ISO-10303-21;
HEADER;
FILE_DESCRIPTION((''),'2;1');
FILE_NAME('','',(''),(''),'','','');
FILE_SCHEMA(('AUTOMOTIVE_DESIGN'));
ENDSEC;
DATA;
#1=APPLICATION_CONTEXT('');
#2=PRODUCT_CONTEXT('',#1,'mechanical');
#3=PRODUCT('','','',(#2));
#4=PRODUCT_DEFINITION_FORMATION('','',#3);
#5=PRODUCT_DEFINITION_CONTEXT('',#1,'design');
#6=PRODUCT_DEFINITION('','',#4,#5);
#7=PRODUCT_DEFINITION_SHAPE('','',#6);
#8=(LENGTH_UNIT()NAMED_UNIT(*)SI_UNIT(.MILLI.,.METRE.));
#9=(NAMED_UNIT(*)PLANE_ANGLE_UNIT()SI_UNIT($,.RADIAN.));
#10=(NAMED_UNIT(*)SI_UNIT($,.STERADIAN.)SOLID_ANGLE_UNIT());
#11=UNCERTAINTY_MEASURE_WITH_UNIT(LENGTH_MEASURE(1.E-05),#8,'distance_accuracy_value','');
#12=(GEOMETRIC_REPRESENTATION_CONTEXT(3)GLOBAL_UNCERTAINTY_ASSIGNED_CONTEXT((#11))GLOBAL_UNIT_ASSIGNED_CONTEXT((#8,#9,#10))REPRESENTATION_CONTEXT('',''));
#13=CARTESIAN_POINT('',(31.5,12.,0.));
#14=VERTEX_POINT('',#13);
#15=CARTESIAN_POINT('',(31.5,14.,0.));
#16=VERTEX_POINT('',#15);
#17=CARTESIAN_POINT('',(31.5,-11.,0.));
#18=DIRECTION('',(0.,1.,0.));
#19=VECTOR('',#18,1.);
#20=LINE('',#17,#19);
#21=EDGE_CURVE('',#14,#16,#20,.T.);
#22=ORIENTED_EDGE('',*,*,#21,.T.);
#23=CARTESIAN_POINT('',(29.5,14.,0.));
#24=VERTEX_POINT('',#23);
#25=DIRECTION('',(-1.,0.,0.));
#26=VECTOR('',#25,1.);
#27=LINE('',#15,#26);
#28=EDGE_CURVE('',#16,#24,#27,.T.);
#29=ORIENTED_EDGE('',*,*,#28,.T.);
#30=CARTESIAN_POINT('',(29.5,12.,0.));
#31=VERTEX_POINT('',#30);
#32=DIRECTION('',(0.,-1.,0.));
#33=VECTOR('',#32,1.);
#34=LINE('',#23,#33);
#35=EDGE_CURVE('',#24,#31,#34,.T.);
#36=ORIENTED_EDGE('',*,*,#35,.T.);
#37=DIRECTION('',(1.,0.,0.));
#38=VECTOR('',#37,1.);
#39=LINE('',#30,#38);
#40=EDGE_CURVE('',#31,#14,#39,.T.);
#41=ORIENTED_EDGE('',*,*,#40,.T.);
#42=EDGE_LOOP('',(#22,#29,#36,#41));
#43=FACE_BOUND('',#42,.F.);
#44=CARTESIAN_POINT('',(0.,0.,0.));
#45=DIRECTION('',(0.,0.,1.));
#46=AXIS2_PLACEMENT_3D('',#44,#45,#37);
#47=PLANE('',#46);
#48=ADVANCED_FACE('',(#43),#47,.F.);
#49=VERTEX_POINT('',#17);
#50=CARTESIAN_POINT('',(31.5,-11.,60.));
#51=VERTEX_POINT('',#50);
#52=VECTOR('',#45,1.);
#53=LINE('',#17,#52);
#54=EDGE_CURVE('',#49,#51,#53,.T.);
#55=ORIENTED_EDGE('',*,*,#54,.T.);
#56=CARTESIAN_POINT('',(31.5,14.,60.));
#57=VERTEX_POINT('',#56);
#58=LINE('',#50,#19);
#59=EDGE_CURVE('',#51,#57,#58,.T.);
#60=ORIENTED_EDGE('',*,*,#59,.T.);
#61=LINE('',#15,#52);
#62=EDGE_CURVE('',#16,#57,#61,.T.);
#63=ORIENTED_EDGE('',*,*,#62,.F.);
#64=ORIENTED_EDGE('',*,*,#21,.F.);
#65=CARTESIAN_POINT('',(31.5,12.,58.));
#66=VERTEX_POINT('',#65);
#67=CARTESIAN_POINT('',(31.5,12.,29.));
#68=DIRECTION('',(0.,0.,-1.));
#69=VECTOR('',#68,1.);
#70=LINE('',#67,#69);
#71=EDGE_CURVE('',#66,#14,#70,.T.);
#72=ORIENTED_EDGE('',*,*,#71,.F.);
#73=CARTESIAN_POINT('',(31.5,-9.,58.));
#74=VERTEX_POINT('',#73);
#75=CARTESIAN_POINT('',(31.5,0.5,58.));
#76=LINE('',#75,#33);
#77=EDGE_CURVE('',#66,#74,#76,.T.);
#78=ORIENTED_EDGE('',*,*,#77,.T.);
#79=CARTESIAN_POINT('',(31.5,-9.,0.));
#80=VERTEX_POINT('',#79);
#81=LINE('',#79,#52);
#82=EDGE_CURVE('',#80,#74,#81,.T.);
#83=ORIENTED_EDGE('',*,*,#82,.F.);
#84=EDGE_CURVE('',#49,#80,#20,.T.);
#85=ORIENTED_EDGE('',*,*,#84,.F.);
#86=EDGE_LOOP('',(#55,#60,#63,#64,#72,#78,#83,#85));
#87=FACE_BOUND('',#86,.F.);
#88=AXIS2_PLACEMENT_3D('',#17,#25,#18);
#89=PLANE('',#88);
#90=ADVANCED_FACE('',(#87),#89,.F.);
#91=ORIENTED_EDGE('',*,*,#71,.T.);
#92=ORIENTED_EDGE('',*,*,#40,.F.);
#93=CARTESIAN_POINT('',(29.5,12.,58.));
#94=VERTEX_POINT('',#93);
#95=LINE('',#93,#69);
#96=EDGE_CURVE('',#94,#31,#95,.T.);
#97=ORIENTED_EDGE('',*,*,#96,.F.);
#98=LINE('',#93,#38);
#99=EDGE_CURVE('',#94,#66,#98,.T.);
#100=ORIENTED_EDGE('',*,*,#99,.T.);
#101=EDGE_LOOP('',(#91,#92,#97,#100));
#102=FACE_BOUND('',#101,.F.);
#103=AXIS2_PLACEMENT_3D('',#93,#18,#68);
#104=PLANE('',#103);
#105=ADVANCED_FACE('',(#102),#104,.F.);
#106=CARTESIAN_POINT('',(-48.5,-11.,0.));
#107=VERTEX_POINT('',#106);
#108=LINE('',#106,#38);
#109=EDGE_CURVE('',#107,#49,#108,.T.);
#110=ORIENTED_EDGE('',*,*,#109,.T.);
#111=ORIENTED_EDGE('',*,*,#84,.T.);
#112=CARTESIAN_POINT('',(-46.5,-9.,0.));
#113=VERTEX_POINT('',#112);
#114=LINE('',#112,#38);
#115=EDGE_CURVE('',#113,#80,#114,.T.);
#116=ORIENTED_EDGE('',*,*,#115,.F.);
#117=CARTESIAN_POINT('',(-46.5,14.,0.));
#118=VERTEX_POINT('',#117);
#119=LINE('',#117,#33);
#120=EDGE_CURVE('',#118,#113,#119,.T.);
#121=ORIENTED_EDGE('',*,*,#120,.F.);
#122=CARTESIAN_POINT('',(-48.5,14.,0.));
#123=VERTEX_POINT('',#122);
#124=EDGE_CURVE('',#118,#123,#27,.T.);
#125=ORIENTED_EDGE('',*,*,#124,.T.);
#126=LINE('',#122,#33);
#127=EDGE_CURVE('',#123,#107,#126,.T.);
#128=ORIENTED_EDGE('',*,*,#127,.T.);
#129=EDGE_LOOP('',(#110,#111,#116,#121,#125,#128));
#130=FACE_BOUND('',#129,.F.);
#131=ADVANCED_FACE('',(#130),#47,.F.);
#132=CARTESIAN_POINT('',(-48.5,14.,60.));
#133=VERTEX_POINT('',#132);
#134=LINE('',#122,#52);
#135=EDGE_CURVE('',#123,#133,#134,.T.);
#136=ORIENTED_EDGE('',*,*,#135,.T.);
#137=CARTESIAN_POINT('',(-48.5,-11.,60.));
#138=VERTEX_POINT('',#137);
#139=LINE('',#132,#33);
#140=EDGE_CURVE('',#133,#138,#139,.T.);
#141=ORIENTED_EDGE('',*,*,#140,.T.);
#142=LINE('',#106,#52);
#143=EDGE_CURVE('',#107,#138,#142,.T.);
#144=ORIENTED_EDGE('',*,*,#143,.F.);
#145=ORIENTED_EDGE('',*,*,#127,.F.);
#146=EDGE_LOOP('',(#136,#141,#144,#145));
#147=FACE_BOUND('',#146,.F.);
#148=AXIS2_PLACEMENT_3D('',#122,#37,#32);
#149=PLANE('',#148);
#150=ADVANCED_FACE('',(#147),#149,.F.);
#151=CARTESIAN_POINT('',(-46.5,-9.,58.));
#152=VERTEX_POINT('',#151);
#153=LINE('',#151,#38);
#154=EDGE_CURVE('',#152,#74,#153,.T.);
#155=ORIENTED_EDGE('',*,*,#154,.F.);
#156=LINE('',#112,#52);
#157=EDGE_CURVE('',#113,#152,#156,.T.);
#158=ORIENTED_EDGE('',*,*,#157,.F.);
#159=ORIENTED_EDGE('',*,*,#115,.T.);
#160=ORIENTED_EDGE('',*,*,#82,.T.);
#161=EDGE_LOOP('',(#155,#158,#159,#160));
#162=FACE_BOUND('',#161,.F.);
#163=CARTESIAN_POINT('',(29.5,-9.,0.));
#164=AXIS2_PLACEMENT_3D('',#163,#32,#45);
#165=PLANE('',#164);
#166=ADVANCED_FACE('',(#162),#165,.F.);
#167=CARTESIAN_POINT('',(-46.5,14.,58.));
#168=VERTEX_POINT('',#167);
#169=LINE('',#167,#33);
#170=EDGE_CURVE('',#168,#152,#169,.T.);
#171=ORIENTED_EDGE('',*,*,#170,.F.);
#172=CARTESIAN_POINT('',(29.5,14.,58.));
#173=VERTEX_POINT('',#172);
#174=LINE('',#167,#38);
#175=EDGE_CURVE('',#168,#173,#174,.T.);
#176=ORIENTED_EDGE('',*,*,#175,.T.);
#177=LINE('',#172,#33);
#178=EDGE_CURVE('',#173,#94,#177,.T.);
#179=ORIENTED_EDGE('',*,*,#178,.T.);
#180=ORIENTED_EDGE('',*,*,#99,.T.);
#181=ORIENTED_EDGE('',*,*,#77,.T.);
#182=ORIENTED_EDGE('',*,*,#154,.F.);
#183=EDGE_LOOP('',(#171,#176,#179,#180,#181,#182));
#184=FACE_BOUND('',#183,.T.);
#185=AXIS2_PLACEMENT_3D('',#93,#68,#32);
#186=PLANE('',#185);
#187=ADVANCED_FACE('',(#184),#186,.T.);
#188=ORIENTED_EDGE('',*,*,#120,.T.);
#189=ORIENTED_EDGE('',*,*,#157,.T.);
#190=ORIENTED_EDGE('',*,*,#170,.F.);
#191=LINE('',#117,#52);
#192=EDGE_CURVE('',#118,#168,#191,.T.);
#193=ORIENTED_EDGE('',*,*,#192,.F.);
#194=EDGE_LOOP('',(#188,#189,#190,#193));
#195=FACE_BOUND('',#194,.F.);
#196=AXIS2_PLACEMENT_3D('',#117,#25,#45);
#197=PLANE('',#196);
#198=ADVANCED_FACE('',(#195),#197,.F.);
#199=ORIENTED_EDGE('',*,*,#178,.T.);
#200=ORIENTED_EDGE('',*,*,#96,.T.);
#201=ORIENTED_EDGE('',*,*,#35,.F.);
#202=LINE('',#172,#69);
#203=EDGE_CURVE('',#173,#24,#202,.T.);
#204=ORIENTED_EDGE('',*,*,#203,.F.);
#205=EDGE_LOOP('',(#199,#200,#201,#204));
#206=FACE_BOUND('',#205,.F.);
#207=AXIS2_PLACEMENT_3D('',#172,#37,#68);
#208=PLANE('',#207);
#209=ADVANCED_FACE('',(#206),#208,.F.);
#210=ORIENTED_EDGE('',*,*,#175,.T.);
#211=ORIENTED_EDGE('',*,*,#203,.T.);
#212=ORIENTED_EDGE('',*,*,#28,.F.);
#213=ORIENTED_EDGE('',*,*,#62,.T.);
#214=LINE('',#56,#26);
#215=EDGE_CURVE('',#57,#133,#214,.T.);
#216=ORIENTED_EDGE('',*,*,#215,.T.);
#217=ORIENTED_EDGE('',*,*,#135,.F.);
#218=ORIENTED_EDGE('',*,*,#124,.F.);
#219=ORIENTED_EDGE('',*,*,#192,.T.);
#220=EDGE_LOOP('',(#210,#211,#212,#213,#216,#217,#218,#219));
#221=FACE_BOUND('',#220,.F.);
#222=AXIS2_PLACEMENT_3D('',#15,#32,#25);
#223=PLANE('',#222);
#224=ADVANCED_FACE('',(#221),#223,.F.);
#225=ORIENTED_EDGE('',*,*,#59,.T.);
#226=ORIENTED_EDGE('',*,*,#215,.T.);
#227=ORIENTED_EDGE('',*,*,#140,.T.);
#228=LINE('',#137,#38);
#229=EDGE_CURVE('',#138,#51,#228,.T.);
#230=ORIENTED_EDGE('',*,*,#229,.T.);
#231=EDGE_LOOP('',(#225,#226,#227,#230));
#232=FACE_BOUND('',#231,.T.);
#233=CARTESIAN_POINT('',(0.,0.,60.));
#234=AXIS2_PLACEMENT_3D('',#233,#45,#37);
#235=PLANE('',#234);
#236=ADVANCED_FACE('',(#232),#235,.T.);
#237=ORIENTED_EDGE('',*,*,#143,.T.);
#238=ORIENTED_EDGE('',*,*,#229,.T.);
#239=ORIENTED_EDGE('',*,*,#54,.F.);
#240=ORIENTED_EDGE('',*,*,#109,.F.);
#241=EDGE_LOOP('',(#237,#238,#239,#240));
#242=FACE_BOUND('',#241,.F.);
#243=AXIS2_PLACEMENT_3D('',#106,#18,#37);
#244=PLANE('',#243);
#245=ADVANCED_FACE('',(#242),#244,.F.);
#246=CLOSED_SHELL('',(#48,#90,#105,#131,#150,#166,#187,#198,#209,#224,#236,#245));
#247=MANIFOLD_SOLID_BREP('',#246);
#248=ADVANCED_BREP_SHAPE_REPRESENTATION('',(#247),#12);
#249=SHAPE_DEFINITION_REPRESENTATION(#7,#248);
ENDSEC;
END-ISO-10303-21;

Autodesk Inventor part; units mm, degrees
ref_plane "YZ Plane" through (0, 0, 0) normal (1, 0, 0) x (0, 1, 0)
ref_plane "XZ Plane" through (0, 0, 0) normal (0, 1, 0) x (-1, 0, 0)
sketch "Эскиз1" plane through (0, 0, 0) normal (0, 0, 1) x (1, 0, 0)
  line L0 (31.5, 14) -> (-48.5, 14)
  line L1 (-48.5, 14) -> (-48.5, -11)
  line L2 (-48.5, -11) -> (31.5, -11)
  line L3 (31.5, -11) -> (31.5, 14)
  line L4 (33.5, -8.5) -> (33.5, 11.5) projected
  point P0 (0, 0)
  point P1 (31.5, 1.5)
  point P2 (33.5, 1.5)
  dimension "d0" = 80
  dimension "d1" = 25
  dimension "d2" = 2
extrude "Выдавливание1" add sketch "Эскиз1" along normal blind 60
sketch "Эскиз2" plane through (-48.5, 14, 0) normal (0, 1, 0) x (1, 0, 0)
  line L0 (0, 0) -> (80, 0) projected
  line L1 (78, 0) -> (2, 0)
  line L2 (2, 0) -> (2, -58)
  line L3 (2, -58) -> (78, -58)
  line L4 (78, -58) -> (78, 0)
  line L5 (80, -60) -> (0, -60) projected
  line L6 (0, 0) -> (0, -60) projected
  line L7 (80, 0) -> (80, -60) projected
  point P0 (48.5, 0)
  dimension "d5" = 2
  dimension "d6" = 2
  dimension "d7" = 2
extrude "Выдавливание2" cut sketch "Эскиз2" against normal blind 23 contours L0 L4 L3 L2
sketch "Эскиз3" plane through (29.5, 14, 0) normal (-1, 0, 0) x (0, 0, 1)
  line L0 (58, 0) -> (58, -23) projected
  line L1 (0, -23) -> (58, -23) projected
  line L2 (58, -2) -> (0, -2)
  line L3 (0, -2) -> (0, -23)
  line L4 (0, -23) -> (58, -23)
  line L5 (58, -23) -> (58, -2)
  line L6 (0, 0) -> (58, 0) projected
  point P0 (0, -14)
  dimension "d10" = 2
ref_plane "РабПлоскость1" through (33.5, -8.5, 0) normal (-1, 0, 0) x (0, 0, 1)
extrude "Выдавливание3" cut sketch "Эскиз3" against normal up to surface (4 mm away)
properties part number "ДИ 00.00.07"
